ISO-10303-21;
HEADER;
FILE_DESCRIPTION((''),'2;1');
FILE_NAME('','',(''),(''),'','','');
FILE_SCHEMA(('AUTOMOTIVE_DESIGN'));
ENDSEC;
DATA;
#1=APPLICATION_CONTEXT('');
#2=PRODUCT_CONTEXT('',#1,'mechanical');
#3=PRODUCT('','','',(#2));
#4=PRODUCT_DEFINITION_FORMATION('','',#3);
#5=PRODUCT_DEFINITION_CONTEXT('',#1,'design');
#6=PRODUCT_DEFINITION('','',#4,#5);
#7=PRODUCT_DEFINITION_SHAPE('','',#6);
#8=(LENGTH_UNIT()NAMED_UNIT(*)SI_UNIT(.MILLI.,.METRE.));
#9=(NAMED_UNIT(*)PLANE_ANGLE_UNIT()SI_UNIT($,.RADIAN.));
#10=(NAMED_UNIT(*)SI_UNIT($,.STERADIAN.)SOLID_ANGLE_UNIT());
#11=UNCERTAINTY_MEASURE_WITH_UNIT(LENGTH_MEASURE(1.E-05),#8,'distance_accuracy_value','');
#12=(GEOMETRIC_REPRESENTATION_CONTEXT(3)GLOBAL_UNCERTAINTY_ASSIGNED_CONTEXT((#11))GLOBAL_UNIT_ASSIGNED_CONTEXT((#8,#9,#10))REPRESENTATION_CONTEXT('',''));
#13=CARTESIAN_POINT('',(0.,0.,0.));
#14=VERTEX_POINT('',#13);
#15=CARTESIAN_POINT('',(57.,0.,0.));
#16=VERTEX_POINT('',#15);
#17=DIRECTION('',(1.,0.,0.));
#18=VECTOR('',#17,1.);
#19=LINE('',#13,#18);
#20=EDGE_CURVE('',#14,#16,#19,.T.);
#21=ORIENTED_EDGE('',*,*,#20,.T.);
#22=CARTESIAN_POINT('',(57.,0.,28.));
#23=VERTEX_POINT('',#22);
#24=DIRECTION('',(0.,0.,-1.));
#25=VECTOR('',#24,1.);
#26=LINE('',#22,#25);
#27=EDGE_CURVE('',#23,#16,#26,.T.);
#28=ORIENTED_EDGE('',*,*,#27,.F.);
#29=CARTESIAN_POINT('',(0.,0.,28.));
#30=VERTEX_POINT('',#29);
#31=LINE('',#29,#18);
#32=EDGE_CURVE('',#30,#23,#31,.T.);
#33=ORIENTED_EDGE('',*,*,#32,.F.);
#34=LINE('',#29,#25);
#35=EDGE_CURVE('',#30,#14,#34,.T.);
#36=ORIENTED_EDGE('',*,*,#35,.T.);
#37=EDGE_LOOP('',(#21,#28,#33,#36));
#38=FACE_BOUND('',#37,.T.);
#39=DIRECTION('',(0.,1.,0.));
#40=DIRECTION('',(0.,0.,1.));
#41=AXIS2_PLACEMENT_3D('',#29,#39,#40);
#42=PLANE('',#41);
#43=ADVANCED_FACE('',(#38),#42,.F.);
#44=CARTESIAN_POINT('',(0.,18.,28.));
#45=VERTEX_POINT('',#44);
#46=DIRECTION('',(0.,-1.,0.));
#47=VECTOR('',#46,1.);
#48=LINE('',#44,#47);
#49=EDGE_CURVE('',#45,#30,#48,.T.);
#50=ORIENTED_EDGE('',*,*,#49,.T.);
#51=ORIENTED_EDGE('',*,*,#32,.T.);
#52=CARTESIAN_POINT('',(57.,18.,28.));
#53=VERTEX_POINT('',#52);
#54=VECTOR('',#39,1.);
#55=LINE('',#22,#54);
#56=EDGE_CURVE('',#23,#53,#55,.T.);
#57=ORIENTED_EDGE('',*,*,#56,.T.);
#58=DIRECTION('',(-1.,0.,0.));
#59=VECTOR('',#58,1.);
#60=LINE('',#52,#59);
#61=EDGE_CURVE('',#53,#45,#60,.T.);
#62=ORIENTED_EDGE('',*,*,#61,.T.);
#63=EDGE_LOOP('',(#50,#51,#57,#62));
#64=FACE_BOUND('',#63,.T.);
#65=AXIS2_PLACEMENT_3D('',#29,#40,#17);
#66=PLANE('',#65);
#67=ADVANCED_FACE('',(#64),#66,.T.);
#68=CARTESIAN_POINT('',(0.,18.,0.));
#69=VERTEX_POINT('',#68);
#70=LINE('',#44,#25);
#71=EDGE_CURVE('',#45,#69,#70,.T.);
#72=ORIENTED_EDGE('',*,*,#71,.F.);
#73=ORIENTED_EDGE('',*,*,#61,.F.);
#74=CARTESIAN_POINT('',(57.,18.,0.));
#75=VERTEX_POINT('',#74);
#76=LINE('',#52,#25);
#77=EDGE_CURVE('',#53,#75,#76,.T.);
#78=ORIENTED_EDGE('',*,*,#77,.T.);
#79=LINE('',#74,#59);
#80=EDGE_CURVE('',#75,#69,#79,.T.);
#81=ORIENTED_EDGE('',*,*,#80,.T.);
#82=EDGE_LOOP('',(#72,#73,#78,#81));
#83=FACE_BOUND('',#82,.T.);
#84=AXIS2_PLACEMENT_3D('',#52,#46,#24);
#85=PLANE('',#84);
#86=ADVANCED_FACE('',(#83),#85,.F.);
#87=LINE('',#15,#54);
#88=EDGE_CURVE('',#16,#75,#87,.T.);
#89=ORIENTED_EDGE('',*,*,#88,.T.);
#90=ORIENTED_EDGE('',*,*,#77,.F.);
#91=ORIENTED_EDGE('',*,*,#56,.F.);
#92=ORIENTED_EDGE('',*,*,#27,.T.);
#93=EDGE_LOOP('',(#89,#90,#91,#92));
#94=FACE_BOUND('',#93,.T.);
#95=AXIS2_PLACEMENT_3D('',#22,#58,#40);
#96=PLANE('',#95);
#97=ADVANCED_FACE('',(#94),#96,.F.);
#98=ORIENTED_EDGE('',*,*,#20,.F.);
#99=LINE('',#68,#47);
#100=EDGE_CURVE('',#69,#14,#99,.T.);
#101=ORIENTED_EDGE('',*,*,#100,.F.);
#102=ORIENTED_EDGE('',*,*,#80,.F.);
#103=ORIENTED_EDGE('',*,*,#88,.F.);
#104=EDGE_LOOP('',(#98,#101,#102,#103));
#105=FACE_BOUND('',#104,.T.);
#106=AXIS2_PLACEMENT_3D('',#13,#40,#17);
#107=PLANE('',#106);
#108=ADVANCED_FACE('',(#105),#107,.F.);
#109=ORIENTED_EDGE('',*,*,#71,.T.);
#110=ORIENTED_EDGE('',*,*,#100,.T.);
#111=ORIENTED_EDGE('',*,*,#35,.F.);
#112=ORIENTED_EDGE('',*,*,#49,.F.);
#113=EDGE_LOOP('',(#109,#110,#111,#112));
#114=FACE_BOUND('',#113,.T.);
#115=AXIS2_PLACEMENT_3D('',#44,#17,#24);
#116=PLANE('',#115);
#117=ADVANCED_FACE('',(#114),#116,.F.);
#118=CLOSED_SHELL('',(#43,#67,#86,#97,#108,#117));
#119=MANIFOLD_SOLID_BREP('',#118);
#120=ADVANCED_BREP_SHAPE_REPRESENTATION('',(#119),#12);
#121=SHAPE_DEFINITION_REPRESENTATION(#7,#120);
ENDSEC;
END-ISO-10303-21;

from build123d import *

# Parameters (mm, degrees)
SKETCH_1_W     = 57
SKETCH_1_H     = 18
SIDE_ARM_DEPTH = 28


with BuildPart() as part:
    # 草图1 → Side_arm (new body)
    with BuildSketch(Plane.XY):
        with Locations((28.5, 9)):
            Rectangle(SKETCH_1_W, SKETCH_1_H)
    extrude(amount=SIDE_ARM_DEPTH)


solid = part.part
